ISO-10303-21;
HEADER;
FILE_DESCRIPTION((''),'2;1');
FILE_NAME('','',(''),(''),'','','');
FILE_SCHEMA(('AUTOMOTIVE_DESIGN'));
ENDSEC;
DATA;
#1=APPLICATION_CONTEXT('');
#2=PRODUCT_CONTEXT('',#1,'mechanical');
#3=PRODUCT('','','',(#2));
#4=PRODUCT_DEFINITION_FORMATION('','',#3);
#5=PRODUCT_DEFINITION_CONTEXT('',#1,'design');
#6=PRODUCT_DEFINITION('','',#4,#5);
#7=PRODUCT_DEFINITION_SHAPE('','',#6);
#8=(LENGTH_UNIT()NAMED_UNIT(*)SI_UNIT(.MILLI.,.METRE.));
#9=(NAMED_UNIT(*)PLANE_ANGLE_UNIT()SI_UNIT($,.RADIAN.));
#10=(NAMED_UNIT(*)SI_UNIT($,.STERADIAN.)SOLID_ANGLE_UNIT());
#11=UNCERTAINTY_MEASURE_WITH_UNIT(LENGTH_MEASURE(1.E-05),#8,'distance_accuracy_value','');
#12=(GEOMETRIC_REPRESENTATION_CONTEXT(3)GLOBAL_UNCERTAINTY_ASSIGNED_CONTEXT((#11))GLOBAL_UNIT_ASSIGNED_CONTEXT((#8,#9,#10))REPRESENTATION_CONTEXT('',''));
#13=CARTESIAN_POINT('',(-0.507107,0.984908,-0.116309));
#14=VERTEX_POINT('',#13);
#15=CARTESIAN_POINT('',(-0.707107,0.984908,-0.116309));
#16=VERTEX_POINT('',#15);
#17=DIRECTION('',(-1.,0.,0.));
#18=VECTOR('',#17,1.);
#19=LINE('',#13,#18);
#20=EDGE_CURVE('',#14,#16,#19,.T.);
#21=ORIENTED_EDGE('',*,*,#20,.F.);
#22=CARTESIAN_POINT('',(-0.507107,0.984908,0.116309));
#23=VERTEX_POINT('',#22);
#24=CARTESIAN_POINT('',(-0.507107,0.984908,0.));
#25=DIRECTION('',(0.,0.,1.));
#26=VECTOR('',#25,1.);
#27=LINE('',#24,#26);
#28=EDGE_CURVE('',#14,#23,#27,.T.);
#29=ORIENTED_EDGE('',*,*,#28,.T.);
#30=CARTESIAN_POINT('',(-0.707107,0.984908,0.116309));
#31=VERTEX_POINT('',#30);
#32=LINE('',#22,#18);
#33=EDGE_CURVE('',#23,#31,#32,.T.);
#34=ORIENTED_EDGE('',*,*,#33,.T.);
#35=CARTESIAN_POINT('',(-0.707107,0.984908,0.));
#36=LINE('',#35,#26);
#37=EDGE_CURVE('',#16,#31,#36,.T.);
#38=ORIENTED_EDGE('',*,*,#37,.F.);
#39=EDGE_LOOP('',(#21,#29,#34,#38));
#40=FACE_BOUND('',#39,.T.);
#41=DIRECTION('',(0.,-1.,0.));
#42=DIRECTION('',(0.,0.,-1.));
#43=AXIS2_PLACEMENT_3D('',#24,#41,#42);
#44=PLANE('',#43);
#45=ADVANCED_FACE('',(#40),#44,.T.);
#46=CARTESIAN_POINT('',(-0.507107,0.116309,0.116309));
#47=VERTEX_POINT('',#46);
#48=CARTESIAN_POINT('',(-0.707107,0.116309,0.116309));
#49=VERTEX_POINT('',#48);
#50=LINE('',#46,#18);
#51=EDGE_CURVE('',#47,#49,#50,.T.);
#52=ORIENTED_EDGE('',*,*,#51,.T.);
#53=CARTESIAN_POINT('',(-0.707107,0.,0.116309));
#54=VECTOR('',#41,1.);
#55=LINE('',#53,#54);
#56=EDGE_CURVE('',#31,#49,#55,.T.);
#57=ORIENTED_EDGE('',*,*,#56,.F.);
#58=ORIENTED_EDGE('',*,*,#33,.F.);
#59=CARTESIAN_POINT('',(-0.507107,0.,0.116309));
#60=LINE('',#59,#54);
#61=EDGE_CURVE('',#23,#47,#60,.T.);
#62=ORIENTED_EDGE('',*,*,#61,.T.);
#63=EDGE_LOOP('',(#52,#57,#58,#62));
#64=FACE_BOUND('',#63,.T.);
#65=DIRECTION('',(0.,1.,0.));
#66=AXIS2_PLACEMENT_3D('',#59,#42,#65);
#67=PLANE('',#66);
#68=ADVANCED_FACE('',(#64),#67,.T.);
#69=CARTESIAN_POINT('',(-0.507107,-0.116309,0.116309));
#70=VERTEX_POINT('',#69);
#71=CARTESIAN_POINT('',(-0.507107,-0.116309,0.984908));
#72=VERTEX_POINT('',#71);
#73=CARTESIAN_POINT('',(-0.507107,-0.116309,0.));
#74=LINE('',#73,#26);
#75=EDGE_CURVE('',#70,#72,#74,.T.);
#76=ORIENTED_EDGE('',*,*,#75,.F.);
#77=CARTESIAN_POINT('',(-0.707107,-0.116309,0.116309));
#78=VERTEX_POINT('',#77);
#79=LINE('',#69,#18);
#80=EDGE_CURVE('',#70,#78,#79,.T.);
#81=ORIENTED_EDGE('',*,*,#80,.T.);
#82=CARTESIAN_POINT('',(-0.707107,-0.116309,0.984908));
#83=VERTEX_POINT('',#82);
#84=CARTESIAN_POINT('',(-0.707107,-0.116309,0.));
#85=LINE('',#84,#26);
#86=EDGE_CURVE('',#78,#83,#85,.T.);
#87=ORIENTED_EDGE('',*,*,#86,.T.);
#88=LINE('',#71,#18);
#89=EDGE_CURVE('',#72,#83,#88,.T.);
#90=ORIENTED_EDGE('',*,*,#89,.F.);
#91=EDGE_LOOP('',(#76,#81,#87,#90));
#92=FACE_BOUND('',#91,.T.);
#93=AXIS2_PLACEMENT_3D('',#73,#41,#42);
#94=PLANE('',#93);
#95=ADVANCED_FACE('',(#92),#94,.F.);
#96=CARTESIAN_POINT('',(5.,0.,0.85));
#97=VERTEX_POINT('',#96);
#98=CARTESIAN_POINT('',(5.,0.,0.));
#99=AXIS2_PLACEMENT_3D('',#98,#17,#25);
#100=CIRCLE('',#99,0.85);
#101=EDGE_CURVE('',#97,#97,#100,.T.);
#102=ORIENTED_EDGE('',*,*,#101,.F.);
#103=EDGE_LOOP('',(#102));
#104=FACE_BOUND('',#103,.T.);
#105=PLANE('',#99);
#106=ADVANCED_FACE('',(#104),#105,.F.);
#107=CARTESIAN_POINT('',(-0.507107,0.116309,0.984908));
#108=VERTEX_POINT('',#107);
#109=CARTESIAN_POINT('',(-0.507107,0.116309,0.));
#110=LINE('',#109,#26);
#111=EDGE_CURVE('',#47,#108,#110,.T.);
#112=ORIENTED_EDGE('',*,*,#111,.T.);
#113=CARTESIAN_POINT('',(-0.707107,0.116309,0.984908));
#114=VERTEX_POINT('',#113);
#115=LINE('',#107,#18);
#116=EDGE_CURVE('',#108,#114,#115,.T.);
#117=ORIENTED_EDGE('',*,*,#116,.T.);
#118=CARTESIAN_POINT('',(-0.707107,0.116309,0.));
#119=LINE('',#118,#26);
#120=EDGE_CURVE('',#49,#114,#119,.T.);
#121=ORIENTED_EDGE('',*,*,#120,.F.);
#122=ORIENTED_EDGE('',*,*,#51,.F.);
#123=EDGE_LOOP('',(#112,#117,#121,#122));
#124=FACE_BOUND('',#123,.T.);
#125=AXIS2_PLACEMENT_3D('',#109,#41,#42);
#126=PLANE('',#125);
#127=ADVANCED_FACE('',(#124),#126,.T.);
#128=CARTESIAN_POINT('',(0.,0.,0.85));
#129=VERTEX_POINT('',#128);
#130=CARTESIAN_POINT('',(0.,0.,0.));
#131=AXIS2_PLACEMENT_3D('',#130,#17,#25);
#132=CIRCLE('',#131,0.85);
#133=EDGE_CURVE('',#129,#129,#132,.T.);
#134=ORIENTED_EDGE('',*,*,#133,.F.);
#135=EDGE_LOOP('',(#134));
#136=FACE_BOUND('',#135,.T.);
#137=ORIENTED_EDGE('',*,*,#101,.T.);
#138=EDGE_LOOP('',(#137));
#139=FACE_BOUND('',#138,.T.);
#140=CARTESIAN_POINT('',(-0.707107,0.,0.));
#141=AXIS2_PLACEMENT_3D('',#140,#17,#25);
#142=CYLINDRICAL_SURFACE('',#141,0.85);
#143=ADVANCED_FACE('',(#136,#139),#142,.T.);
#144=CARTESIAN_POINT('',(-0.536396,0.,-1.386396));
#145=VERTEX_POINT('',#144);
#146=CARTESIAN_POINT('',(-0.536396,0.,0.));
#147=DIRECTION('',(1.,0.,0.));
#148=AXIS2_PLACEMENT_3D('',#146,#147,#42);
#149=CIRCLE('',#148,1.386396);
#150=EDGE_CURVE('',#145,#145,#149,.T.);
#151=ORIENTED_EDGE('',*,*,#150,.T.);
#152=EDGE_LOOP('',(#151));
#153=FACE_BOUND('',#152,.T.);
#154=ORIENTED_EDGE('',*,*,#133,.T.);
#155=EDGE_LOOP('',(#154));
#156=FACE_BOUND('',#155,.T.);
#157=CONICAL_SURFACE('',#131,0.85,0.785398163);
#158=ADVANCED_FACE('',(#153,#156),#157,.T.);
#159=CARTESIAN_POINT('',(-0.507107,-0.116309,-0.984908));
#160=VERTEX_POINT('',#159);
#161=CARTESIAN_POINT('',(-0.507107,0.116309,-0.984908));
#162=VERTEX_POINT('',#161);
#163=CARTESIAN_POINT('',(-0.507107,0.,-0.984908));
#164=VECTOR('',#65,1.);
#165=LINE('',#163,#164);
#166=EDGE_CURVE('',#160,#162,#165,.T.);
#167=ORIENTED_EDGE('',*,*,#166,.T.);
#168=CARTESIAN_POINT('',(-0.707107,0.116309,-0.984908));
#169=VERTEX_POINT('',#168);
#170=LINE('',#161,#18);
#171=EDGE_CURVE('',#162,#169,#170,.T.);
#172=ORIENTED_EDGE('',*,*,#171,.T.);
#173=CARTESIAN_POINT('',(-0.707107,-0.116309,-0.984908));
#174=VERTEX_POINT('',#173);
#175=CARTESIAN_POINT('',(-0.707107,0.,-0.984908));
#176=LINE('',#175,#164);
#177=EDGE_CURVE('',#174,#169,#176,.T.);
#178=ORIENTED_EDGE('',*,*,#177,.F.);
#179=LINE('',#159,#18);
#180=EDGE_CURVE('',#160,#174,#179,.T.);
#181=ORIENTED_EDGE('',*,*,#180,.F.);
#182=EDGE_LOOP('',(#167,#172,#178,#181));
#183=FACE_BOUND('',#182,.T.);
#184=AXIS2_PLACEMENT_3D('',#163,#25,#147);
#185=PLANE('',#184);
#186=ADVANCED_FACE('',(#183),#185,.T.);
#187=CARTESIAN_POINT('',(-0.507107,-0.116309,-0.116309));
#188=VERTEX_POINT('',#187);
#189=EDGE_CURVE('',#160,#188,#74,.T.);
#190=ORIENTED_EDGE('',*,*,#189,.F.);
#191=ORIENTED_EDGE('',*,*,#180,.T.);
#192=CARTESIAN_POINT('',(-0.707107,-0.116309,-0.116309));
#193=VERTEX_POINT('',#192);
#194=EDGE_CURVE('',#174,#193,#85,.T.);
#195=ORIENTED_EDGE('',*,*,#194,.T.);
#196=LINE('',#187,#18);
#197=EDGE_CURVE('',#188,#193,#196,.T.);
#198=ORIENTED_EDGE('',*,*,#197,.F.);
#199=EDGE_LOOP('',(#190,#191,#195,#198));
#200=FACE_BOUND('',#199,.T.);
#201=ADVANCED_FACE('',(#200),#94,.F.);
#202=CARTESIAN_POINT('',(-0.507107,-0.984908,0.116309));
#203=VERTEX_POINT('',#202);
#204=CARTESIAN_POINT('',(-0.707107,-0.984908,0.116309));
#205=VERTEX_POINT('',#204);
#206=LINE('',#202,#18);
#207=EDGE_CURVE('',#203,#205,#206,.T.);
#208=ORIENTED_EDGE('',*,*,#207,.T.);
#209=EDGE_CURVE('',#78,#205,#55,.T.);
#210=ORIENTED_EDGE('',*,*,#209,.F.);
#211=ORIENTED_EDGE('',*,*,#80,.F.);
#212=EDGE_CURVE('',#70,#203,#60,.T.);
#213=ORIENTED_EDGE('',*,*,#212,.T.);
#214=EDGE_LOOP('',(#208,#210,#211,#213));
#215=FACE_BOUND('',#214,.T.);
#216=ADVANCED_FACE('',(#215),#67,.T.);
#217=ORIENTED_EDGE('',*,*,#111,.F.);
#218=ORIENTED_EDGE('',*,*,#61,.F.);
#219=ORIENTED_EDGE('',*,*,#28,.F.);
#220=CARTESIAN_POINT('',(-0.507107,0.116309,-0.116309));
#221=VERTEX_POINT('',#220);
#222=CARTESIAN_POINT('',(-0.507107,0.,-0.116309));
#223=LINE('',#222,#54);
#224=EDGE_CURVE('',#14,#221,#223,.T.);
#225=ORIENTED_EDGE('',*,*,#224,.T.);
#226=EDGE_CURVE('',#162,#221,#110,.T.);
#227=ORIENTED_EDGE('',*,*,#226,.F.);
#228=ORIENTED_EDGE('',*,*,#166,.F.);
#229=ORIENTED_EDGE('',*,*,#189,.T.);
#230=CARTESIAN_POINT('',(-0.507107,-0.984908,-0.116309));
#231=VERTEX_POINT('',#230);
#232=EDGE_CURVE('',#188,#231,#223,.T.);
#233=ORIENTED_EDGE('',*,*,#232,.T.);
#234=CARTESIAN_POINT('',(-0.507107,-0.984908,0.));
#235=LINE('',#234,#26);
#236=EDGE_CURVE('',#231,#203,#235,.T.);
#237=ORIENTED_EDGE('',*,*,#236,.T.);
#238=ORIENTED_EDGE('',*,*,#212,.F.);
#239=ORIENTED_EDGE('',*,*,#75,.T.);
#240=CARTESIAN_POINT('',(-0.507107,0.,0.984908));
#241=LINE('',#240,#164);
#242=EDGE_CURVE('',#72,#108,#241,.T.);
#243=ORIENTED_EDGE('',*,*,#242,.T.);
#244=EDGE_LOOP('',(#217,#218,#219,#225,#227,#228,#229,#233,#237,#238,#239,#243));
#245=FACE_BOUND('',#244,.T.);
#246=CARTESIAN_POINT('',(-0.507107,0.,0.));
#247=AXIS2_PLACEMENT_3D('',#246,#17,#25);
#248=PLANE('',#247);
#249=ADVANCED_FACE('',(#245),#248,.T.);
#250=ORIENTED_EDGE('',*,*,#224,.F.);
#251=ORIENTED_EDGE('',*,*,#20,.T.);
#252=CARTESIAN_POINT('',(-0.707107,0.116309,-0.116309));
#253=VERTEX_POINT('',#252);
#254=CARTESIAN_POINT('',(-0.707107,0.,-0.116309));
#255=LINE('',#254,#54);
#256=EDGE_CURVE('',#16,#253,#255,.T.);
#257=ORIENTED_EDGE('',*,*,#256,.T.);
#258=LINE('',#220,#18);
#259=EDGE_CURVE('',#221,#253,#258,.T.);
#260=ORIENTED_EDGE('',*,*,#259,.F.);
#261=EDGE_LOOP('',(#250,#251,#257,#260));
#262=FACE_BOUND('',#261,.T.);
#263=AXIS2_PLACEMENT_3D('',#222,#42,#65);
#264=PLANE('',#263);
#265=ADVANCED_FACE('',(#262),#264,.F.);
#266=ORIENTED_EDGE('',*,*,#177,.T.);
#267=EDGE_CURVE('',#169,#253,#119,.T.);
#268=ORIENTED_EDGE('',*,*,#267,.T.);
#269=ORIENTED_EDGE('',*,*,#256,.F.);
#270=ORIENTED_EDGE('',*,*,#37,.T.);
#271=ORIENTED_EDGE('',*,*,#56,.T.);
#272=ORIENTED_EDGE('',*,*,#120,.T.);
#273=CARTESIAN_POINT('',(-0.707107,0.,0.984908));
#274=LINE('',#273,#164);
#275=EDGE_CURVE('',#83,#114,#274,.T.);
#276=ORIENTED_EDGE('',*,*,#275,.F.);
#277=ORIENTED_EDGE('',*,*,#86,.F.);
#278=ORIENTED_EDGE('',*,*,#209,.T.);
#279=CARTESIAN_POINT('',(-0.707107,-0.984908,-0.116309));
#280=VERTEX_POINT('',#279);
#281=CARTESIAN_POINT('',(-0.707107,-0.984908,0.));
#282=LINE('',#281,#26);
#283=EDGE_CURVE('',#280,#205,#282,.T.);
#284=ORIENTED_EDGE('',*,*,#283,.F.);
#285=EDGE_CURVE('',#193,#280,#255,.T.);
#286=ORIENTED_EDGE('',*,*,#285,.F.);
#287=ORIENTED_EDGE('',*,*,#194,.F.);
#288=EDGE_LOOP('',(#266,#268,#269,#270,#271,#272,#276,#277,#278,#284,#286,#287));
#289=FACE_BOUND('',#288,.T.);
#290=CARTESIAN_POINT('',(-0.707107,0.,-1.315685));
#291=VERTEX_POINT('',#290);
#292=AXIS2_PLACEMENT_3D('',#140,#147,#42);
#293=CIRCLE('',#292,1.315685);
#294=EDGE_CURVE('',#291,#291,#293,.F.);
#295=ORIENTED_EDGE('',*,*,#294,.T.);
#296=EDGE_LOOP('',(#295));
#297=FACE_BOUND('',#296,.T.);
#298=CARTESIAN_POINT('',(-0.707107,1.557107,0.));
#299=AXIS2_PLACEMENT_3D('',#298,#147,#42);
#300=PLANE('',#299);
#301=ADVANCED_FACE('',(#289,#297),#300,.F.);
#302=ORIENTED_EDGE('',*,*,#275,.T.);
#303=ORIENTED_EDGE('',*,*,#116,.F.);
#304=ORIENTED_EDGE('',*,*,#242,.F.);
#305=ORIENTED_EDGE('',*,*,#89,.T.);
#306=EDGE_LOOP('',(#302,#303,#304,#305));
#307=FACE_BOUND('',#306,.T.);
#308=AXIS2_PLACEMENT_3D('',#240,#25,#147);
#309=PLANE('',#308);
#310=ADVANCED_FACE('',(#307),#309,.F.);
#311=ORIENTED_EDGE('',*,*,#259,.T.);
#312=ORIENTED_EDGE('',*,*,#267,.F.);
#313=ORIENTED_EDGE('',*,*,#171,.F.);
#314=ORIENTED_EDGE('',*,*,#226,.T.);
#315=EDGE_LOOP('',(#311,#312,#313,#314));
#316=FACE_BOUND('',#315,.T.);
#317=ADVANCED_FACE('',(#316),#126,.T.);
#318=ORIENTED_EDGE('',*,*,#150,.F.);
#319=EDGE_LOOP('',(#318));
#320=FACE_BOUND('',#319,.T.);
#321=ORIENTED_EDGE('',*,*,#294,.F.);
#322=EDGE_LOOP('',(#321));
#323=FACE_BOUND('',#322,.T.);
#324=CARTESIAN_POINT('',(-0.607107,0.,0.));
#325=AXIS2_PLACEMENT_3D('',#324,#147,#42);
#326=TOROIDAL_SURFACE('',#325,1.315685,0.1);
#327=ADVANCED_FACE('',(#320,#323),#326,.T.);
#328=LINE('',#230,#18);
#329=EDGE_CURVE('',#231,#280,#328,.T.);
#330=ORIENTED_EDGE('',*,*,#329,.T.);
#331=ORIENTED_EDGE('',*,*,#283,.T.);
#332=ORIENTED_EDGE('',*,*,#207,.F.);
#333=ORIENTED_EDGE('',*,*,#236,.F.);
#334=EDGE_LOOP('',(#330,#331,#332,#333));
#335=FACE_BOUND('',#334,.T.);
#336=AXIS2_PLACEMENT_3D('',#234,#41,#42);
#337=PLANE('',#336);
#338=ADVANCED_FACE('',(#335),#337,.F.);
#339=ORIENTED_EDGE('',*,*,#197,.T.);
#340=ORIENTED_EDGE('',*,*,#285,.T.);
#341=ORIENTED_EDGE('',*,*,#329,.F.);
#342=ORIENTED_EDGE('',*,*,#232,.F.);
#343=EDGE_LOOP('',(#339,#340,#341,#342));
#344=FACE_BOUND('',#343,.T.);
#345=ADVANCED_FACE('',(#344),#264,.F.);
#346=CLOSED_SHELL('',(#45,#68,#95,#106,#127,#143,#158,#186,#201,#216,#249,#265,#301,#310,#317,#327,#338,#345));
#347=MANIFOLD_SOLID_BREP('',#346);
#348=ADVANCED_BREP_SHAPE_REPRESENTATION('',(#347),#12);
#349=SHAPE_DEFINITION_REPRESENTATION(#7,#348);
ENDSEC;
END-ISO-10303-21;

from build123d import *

# Parameters (mm, degrees)
SKETCH_2_W          = 0.232618696
SKETCH_2_H          = 0.868598709
SKETCH_2_W_2        = 0.868598709
SKETCH_2_H_2        = 0.232618696
CUT_EXTRUDE_1_DEPTH = 0.2
FILLET_1_R          = 0.1


with BuildPart() as part:
    # 草图1 → 旋转2 (revolve)
    with BuildSketch(Plane.XY):
        Polygon((-0.707106781, 0), (5, 0), (5, 0.85), (0, 0.85), (-0.707106781, 1.557106781), align=None)
    revolve(axis=Axis((-0.707106781, 0, 0), (1, 0, 0)))

    # 草图2 → 切除-拉伸1 (cut)
    with BuildSketch(Plane.ZY.offset(0.707106781)):
        with Locations((0, -0.550608703)):
            Rectangle(SKETCH_2_W, SKETCH_2_H)
        with Locations((0.550608703, 0)):
            Rectangle(SKETCH_2_W_2, SKETCH_2_H_2)
        Rectangle(SKETCH_2_W, SKETCH_2_H_2)
        with Locations((0, 0.550608703)):
            Rectangle(SKETCH_2_W, SKETCH_2_H)
        with Locations((-0.550608703, 0)):
            Rectangle(SKETCH_2_W_2, SKETCH_2_H_2)
    extrude(amount=-CUT_EXTRUDE_1_DEPTH, mode=Mode.SUBTRACT)

    # 圆角1
    fillet_1_edges = [part.edges().sort_by_distance(p)[0] for p in [
        (-0.707106781, -1.557106781, 0),
    ]]
    fillet(fillet_1_edges, radius=FILLET_1_R)


solid = part.part
